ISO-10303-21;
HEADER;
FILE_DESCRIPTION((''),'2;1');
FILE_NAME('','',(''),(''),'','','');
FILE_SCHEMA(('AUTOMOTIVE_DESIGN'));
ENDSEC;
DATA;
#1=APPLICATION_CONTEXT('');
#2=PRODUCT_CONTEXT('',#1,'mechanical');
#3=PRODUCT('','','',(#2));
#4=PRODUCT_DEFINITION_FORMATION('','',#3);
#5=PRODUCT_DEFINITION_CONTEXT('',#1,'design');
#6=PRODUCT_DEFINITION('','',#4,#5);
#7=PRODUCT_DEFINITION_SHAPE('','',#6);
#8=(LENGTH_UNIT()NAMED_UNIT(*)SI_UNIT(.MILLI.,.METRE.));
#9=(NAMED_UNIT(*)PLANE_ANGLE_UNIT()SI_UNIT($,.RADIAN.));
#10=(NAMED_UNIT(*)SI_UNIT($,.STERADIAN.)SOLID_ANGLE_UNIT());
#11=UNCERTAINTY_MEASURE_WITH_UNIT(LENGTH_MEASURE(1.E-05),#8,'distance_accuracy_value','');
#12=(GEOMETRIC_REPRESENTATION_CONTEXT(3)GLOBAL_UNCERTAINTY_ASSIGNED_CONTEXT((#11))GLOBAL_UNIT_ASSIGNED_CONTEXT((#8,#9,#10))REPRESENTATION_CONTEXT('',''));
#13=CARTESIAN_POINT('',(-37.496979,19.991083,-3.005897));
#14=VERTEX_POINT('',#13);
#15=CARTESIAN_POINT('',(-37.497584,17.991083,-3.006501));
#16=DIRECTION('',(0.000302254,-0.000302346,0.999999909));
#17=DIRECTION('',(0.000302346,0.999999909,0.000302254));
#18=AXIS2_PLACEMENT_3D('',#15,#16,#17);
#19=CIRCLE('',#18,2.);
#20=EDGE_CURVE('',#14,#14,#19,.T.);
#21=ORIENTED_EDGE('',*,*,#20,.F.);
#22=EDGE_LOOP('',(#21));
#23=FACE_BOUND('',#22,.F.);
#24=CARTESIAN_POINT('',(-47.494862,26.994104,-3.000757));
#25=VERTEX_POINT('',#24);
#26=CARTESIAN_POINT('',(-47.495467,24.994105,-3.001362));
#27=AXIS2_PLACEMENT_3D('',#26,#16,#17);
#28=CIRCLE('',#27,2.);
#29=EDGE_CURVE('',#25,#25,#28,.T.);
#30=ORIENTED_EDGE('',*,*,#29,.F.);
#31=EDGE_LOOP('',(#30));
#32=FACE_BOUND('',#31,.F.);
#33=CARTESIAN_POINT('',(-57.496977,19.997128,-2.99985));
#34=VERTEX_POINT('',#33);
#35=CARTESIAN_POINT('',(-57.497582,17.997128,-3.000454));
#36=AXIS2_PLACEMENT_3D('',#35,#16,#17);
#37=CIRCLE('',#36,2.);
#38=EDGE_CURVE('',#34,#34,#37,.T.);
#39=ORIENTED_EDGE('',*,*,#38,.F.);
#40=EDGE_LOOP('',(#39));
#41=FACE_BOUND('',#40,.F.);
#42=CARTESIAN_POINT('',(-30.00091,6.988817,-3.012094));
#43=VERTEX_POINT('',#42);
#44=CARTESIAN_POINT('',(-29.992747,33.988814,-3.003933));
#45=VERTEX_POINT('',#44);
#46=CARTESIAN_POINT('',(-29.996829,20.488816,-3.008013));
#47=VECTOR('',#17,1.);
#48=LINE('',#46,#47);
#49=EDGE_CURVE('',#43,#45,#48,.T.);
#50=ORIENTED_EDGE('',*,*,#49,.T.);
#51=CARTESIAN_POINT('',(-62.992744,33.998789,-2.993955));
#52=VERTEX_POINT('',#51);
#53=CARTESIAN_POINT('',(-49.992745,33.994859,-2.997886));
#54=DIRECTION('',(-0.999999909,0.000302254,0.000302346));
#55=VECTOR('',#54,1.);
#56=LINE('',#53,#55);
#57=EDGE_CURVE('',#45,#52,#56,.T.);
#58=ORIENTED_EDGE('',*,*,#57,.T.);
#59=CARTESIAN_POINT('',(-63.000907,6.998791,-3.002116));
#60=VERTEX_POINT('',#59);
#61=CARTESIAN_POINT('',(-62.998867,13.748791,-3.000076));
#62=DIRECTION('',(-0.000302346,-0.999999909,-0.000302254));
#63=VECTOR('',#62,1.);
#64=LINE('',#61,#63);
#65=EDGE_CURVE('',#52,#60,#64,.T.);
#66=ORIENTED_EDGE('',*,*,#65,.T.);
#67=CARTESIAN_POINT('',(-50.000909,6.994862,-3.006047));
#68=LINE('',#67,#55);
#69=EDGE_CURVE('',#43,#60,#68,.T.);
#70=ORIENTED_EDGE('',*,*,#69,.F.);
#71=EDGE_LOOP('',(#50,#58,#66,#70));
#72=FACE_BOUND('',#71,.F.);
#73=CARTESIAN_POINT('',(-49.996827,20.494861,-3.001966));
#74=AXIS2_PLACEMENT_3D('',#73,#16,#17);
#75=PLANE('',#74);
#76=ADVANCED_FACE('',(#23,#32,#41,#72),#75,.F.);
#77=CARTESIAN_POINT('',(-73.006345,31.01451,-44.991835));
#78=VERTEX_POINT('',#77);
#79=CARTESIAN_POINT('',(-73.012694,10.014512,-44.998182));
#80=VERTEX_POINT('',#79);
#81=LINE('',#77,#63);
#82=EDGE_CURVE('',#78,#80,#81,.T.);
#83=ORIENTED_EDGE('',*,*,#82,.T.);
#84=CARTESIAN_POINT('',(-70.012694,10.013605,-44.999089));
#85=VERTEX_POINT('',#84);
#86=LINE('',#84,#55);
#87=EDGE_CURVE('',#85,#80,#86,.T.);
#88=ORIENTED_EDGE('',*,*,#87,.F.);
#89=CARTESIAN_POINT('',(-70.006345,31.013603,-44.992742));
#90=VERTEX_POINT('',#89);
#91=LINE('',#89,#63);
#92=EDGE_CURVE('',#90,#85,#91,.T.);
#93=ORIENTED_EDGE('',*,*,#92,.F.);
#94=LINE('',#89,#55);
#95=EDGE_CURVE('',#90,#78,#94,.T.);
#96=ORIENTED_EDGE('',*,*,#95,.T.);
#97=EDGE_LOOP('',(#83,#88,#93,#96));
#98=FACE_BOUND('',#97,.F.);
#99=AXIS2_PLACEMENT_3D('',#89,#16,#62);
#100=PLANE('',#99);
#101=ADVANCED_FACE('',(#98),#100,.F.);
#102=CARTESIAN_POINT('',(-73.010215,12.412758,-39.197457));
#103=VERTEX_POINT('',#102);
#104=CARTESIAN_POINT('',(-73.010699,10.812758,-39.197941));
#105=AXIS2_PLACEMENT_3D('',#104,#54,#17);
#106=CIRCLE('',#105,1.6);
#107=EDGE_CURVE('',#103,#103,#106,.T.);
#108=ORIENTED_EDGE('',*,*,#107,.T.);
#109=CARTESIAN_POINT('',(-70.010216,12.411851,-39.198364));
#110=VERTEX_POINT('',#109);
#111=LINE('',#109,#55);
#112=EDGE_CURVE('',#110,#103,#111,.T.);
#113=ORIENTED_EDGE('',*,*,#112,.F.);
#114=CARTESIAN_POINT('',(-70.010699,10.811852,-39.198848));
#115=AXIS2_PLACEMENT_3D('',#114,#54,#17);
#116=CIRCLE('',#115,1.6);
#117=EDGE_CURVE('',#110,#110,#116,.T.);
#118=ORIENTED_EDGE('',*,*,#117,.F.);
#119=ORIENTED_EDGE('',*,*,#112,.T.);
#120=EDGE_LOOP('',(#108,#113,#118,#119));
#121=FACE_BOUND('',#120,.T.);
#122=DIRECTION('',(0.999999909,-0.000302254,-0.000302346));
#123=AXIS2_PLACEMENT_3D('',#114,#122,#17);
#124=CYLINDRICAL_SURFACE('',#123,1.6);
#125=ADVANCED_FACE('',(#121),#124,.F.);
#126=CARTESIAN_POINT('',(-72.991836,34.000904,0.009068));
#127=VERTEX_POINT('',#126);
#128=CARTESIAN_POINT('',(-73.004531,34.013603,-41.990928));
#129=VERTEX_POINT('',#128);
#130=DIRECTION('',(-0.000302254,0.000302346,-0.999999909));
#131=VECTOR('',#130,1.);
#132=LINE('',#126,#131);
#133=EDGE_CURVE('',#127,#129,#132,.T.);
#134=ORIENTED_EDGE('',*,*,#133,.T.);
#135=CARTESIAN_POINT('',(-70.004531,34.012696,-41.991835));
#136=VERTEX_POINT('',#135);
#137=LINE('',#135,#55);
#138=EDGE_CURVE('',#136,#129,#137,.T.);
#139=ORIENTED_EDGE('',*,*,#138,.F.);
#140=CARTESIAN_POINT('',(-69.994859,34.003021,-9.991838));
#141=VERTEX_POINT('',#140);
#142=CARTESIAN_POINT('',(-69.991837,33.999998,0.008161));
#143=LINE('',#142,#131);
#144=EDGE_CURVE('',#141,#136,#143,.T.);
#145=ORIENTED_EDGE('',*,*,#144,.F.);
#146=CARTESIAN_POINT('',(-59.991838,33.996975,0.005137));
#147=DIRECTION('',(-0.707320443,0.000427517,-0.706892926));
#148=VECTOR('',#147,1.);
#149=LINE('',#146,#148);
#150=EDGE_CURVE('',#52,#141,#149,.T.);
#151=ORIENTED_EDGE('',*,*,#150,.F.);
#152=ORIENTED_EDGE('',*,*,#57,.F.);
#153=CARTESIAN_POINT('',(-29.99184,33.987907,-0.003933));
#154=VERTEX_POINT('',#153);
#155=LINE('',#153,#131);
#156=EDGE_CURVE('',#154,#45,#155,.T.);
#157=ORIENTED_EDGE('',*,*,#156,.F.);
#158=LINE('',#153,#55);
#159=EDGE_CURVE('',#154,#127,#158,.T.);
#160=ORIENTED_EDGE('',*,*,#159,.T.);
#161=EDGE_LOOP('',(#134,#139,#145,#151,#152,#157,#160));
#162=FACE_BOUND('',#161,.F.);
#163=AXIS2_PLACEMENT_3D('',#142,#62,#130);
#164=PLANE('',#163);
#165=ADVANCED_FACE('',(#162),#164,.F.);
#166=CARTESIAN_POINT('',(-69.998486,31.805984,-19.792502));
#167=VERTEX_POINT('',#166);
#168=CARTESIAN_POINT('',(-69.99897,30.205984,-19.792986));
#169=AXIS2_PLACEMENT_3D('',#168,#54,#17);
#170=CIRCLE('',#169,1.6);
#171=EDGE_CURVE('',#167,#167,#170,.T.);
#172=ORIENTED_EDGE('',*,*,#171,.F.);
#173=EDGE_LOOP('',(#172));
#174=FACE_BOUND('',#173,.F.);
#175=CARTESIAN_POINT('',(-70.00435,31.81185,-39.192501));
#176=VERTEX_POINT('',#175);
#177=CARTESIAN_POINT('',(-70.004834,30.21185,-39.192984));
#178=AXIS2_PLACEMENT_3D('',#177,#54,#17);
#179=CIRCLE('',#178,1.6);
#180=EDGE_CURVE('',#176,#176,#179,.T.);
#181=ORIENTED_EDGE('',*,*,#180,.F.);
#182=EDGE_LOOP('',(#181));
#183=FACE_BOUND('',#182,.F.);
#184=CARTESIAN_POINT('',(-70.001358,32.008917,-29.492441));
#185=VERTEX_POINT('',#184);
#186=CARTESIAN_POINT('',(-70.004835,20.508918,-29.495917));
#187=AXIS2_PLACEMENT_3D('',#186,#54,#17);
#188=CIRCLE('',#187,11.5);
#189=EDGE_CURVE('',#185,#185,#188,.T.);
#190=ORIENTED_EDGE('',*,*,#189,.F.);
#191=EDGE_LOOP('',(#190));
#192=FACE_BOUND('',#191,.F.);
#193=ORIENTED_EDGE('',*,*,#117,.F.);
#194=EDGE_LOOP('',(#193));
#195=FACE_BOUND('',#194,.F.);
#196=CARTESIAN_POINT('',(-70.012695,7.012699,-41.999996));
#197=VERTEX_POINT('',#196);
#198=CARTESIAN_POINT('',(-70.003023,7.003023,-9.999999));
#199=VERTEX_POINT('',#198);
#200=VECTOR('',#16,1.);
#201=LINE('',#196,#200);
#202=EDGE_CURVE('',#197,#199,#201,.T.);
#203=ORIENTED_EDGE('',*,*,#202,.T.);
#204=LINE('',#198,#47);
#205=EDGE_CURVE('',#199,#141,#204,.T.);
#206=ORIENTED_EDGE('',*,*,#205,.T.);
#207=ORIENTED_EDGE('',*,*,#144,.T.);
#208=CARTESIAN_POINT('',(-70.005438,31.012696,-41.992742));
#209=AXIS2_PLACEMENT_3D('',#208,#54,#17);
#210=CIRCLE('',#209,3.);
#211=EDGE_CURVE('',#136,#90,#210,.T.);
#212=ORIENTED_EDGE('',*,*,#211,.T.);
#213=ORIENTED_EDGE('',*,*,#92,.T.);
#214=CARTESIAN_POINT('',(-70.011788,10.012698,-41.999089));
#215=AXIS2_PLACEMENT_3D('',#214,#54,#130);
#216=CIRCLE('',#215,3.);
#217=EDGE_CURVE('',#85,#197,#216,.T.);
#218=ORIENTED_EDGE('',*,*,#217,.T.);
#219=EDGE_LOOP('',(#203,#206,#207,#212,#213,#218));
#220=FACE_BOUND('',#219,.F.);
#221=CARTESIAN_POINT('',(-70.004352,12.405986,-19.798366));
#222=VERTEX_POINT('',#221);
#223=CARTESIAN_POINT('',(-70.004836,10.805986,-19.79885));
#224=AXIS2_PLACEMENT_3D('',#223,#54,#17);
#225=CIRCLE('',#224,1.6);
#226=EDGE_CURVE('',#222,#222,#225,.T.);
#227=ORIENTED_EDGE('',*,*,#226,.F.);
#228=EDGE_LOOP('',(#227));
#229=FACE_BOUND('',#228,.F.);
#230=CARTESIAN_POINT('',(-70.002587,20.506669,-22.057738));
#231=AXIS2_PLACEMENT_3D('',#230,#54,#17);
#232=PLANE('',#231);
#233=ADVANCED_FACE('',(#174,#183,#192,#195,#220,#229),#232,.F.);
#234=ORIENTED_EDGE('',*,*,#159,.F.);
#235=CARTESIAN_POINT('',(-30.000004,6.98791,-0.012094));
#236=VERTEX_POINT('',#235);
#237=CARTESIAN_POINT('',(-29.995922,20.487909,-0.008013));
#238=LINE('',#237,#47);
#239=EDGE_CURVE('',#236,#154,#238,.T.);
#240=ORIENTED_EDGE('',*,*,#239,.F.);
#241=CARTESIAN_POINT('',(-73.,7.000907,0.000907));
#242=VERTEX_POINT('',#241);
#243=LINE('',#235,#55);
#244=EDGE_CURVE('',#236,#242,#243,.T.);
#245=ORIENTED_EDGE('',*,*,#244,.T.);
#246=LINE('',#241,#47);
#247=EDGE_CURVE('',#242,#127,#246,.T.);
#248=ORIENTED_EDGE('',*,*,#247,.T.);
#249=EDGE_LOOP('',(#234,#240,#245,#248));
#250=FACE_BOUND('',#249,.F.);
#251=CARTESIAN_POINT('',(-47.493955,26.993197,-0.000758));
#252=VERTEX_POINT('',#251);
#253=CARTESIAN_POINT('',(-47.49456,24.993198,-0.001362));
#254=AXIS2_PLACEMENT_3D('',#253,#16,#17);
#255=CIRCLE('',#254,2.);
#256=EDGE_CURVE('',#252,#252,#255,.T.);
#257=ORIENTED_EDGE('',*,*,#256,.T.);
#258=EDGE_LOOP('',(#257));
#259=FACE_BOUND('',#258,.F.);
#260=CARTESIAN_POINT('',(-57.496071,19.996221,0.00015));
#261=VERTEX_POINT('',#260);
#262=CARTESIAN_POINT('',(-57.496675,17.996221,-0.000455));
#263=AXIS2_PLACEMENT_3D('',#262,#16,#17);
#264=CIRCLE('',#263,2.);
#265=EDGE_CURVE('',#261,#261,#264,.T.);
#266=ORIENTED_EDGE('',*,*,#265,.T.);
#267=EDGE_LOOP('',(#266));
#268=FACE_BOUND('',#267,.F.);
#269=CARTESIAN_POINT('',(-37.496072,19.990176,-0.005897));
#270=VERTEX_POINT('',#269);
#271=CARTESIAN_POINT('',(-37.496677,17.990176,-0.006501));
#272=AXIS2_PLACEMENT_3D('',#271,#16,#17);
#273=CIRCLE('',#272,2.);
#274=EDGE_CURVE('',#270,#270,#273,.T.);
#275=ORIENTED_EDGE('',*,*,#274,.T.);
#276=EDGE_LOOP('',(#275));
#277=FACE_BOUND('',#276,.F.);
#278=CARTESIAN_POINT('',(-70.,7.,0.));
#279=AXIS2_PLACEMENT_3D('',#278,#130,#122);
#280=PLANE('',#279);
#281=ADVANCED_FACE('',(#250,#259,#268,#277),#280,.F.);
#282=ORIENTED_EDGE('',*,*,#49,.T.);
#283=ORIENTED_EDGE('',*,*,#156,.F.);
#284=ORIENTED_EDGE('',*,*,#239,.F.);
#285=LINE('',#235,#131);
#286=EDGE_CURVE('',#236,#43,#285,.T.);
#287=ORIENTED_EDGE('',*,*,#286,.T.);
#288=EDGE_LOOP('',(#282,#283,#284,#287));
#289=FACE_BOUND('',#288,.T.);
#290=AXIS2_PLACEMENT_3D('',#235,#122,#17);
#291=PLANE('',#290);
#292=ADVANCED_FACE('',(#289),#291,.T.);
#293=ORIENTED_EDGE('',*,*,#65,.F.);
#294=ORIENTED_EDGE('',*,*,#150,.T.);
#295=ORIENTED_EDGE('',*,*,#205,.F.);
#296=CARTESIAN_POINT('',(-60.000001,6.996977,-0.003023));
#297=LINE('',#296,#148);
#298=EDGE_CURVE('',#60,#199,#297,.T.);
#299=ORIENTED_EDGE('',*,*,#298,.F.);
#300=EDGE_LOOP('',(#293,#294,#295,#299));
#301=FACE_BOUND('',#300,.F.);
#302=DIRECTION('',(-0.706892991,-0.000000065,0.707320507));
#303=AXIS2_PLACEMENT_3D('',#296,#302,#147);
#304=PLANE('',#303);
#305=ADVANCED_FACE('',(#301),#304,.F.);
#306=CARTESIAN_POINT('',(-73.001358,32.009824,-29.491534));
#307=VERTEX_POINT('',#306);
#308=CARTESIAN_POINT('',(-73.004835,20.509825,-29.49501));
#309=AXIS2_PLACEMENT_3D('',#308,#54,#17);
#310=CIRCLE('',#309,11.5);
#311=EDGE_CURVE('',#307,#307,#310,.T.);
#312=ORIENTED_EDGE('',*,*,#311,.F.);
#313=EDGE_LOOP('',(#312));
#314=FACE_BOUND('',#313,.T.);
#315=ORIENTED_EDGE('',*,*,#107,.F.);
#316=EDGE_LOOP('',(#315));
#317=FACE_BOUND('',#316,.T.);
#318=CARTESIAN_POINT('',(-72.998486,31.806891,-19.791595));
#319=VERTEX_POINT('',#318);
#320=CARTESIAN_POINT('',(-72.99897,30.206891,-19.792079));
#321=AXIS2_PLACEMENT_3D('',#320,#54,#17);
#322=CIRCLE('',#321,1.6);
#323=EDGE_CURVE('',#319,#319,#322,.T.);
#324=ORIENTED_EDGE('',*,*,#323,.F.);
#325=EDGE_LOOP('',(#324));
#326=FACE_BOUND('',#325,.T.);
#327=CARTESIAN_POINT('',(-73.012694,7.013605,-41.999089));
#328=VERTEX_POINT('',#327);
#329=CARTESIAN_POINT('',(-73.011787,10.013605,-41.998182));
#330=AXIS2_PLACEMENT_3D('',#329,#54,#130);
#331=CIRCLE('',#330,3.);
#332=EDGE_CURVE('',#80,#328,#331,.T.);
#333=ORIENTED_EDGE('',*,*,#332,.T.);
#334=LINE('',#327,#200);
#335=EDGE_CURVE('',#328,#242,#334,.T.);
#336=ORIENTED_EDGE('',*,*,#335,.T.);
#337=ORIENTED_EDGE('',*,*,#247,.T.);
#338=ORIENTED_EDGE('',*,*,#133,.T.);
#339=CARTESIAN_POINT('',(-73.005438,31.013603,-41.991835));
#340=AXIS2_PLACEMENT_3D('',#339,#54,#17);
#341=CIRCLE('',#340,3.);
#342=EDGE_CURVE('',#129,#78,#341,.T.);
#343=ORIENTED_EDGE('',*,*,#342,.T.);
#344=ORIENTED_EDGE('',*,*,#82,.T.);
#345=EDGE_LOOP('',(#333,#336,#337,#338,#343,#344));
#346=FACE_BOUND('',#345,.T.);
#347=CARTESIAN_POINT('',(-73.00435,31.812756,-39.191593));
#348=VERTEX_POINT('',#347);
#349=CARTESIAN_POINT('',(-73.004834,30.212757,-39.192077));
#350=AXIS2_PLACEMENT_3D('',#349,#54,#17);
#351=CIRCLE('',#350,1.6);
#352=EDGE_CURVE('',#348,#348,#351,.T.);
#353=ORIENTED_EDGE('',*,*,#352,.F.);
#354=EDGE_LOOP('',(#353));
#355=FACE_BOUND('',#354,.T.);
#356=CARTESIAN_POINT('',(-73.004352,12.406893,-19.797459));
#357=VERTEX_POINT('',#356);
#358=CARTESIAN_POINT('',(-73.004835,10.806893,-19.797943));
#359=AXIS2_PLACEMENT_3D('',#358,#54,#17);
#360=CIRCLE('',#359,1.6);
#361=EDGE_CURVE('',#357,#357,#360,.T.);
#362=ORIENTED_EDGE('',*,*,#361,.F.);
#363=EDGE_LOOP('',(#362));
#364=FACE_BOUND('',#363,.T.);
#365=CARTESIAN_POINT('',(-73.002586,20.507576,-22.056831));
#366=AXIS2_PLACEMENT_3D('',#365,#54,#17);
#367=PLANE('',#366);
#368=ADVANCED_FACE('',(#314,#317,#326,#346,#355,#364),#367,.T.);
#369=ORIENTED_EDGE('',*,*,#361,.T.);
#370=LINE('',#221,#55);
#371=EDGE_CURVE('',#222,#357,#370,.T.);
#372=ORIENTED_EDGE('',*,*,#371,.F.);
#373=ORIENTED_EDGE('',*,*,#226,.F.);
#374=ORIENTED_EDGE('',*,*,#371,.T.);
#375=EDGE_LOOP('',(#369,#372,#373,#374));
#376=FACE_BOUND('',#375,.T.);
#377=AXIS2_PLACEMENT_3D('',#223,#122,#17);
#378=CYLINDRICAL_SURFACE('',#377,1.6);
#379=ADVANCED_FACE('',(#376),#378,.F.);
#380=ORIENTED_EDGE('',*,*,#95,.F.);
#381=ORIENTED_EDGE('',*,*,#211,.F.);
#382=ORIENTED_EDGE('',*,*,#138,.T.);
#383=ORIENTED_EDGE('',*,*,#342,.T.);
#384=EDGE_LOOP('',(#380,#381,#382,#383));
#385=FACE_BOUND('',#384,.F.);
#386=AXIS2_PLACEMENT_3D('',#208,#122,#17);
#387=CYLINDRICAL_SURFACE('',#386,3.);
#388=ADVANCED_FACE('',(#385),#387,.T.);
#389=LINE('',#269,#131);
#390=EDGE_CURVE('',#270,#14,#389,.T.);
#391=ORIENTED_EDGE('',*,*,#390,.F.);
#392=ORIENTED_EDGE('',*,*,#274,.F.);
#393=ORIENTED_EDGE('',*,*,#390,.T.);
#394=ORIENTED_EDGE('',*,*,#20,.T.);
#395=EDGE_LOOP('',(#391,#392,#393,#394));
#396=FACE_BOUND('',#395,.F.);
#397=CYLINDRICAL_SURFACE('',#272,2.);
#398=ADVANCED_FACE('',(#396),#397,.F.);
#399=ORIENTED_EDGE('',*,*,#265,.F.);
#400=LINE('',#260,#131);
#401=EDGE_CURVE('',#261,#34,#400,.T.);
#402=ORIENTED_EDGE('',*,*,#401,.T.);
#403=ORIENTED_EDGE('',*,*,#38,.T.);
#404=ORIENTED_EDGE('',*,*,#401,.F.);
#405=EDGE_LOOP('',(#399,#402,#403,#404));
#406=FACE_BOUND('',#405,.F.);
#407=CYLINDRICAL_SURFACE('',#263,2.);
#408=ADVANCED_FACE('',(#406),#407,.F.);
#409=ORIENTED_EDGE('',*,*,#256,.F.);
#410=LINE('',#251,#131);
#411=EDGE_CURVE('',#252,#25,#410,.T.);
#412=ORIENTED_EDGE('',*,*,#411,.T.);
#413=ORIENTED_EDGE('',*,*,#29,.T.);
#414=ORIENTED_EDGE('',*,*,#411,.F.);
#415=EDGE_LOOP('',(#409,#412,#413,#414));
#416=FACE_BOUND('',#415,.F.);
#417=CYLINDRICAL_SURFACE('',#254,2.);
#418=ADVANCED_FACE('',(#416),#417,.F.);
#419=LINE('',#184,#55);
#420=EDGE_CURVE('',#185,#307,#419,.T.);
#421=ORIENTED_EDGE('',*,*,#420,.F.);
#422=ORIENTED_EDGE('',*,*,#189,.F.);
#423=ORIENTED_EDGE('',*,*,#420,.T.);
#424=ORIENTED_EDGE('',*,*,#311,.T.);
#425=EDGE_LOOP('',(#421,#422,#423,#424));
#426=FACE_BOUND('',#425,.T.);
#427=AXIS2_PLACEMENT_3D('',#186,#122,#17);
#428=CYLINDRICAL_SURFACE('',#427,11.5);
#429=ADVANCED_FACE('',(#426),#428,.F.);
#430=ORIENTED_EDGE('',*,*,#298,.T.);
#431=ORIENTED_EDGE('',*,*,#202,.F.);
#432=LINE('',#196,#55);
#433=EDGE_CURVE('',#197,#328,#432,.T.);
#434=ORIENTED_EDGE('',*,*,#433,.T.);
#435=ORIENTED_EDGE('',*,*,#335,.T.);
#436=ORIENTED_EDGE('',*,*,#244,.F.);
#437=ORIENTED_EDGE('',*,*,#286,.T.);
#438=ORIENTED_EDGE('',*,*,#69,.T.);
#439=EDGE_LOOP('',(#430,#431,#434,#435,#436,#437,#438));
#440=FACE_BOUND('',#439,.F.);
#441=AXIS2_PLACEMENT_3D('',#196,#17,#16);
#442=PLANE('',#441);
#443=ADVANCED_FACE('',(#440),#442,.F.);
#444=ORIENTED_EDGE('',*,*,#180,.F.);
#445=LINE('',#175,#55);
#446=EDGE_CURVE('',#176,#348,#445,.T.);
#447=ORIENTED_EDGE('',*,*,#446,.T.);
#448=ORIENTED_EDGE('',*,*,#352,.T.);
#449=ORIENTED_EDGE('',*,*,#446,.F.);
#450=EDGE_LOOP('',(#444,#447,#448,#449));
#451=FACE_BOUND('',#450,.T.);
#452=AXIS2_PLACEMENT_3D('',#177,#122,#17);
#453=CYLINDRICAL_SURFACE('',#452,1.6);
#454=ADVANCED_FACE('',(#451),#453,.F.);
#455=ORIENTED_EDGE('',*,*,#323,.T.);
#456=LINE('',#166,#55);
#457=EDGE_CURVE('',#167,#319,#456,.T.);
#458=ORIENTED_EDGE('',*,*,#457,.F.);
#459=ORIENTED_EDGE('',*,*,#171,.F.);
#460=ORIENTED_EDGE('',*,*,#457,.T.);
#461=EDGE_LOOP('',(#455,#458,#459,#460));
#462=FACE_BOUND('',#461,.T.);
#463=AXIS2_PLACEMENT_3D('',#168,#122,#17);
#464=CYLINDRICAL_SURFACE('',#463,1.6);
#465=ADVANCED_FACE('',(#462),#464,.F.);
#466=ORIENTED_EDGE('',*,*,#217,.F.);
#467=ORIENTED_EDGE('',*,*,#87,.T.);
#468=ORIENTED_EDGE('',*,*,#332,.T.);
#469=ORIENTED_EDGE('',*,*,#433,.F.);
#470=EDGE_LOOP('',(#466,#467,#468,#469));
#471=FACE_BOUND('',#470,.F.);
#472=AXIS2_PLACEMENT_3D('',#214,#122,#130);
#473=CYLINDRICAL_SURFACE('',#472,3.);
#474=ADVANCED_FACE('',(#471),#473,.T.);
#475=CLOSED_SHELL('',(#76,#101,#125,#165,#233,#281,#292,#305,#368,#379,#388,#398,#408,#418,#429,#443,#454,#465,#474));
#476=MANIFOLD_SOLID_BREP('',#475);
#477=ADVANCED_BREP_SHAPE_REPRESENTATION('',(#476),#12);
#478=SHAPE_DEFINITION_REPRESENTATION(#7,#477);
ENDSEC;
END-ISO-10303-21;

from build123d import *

# Parameters (mm, degrees)
SKETCH005_W             = 27
SKETCH005_H             = 40
SKETCH005_R             = 2
PAD003_DEPTH            = 3
SKETCH004_R             = 11.5
SKETCH004_R_2           = 1.6
PAD004_DEPTH            = 3
PAD024_DEPTH            = 27
BODY002_ROLL_ANGLE      = -89.9826768737
BODY002_PITCH_ANGLE     = -0.0173178896
BODY002_PLACEMENT_ANGLE = 89.9826768737


with BuildPart() as part:
    # Sketch005 → Pad003 (new body)
    with BuildSketch(Plane.XZ):
        with Locations((13.5, -20)):
            Rectangle(SKETCH005_W, SKETCH005_H)
        with Locations((11, -12.5)):
            Circle(SKETCH005_R, mode=Mode.SUBTRACT)
        with Locations((18, -22.5)):
            Circle(SKETCH005_R, mode=Mode.SUBTRACT)
        with Locations((11, -32.5)):
            Circle(SKETCH005_R, mode=Mode.SUBTRACT)
    extrude(amount=-PAD003_DEPTH)

    # Sketch004 → Pad004 (join)
    with BuildSketch(Plane.XY):
        with BuildLine():
            Line((0, 42), (0, 0))
            Line((0, 0), (27, 0))
            Line((27, 0), (27, 42))
            ThreePointArc((27, 42), (26.1213203436, 44.1213203436), (24, 45))
            Line((24, 45), (3, 45))
            ThreePointArc((3, 45), (0.8786796564, 44.1213203436), (0, 42))
        make_face()
        with Locations((13.5, 29.5)):
            Circle(SKETCH004_R, mode=Mode.SUBTRACT)
        with Locations((3.8, 39.2)):
            Circle(SKETCH004_R_2, mode=Mode.SUBTRACT)
        with Locations((23.2, 39.2)):
            Circle(SKETCH004_R_2, mode=Mode.SUBTRACT)
        with Locations((23.2, 19.8)):
            Circle(SKETCH004_R_2, mode=Mode.SUBTRACT)
        with Locations((3.8, 19.8)):
            Circle(SKETCH004_R_2, mode=Mode.SUBTRACT)
    extrude(amount=PAD004_DEPTH)

    # Sketch043 → Pad024 (join)
    with BuildSketch(Plane.YZ):
        Polygon((0, 0), (0, -10), (10, 0), align=None)
    extrude(amount=PAD024_DEPTH)


with BuildPart() as part_1:
    # Body002 roll: moved
    add(part.part.rotate(Axis((0, 0, 0), (1, 0, 0)), BODY002_ROLL_ANGLE))


with BuildPart() as part_2:
    # Body002 pitch: moved
    add(part_1.part.rotate(Axis((0, 0, 0), (0, 1, 0)), BODY002_PITCH_ANGLE))


with BuildPart() as part_3:
    # Body002 placement: moved
    add(part_2.part.moved(Location((-70, 7, 0))).rotate(Axis((-70, 7, 0), (0, 0, 1)), BODY002_PLACEMENT_ANGLE))


solid = part_3.part
